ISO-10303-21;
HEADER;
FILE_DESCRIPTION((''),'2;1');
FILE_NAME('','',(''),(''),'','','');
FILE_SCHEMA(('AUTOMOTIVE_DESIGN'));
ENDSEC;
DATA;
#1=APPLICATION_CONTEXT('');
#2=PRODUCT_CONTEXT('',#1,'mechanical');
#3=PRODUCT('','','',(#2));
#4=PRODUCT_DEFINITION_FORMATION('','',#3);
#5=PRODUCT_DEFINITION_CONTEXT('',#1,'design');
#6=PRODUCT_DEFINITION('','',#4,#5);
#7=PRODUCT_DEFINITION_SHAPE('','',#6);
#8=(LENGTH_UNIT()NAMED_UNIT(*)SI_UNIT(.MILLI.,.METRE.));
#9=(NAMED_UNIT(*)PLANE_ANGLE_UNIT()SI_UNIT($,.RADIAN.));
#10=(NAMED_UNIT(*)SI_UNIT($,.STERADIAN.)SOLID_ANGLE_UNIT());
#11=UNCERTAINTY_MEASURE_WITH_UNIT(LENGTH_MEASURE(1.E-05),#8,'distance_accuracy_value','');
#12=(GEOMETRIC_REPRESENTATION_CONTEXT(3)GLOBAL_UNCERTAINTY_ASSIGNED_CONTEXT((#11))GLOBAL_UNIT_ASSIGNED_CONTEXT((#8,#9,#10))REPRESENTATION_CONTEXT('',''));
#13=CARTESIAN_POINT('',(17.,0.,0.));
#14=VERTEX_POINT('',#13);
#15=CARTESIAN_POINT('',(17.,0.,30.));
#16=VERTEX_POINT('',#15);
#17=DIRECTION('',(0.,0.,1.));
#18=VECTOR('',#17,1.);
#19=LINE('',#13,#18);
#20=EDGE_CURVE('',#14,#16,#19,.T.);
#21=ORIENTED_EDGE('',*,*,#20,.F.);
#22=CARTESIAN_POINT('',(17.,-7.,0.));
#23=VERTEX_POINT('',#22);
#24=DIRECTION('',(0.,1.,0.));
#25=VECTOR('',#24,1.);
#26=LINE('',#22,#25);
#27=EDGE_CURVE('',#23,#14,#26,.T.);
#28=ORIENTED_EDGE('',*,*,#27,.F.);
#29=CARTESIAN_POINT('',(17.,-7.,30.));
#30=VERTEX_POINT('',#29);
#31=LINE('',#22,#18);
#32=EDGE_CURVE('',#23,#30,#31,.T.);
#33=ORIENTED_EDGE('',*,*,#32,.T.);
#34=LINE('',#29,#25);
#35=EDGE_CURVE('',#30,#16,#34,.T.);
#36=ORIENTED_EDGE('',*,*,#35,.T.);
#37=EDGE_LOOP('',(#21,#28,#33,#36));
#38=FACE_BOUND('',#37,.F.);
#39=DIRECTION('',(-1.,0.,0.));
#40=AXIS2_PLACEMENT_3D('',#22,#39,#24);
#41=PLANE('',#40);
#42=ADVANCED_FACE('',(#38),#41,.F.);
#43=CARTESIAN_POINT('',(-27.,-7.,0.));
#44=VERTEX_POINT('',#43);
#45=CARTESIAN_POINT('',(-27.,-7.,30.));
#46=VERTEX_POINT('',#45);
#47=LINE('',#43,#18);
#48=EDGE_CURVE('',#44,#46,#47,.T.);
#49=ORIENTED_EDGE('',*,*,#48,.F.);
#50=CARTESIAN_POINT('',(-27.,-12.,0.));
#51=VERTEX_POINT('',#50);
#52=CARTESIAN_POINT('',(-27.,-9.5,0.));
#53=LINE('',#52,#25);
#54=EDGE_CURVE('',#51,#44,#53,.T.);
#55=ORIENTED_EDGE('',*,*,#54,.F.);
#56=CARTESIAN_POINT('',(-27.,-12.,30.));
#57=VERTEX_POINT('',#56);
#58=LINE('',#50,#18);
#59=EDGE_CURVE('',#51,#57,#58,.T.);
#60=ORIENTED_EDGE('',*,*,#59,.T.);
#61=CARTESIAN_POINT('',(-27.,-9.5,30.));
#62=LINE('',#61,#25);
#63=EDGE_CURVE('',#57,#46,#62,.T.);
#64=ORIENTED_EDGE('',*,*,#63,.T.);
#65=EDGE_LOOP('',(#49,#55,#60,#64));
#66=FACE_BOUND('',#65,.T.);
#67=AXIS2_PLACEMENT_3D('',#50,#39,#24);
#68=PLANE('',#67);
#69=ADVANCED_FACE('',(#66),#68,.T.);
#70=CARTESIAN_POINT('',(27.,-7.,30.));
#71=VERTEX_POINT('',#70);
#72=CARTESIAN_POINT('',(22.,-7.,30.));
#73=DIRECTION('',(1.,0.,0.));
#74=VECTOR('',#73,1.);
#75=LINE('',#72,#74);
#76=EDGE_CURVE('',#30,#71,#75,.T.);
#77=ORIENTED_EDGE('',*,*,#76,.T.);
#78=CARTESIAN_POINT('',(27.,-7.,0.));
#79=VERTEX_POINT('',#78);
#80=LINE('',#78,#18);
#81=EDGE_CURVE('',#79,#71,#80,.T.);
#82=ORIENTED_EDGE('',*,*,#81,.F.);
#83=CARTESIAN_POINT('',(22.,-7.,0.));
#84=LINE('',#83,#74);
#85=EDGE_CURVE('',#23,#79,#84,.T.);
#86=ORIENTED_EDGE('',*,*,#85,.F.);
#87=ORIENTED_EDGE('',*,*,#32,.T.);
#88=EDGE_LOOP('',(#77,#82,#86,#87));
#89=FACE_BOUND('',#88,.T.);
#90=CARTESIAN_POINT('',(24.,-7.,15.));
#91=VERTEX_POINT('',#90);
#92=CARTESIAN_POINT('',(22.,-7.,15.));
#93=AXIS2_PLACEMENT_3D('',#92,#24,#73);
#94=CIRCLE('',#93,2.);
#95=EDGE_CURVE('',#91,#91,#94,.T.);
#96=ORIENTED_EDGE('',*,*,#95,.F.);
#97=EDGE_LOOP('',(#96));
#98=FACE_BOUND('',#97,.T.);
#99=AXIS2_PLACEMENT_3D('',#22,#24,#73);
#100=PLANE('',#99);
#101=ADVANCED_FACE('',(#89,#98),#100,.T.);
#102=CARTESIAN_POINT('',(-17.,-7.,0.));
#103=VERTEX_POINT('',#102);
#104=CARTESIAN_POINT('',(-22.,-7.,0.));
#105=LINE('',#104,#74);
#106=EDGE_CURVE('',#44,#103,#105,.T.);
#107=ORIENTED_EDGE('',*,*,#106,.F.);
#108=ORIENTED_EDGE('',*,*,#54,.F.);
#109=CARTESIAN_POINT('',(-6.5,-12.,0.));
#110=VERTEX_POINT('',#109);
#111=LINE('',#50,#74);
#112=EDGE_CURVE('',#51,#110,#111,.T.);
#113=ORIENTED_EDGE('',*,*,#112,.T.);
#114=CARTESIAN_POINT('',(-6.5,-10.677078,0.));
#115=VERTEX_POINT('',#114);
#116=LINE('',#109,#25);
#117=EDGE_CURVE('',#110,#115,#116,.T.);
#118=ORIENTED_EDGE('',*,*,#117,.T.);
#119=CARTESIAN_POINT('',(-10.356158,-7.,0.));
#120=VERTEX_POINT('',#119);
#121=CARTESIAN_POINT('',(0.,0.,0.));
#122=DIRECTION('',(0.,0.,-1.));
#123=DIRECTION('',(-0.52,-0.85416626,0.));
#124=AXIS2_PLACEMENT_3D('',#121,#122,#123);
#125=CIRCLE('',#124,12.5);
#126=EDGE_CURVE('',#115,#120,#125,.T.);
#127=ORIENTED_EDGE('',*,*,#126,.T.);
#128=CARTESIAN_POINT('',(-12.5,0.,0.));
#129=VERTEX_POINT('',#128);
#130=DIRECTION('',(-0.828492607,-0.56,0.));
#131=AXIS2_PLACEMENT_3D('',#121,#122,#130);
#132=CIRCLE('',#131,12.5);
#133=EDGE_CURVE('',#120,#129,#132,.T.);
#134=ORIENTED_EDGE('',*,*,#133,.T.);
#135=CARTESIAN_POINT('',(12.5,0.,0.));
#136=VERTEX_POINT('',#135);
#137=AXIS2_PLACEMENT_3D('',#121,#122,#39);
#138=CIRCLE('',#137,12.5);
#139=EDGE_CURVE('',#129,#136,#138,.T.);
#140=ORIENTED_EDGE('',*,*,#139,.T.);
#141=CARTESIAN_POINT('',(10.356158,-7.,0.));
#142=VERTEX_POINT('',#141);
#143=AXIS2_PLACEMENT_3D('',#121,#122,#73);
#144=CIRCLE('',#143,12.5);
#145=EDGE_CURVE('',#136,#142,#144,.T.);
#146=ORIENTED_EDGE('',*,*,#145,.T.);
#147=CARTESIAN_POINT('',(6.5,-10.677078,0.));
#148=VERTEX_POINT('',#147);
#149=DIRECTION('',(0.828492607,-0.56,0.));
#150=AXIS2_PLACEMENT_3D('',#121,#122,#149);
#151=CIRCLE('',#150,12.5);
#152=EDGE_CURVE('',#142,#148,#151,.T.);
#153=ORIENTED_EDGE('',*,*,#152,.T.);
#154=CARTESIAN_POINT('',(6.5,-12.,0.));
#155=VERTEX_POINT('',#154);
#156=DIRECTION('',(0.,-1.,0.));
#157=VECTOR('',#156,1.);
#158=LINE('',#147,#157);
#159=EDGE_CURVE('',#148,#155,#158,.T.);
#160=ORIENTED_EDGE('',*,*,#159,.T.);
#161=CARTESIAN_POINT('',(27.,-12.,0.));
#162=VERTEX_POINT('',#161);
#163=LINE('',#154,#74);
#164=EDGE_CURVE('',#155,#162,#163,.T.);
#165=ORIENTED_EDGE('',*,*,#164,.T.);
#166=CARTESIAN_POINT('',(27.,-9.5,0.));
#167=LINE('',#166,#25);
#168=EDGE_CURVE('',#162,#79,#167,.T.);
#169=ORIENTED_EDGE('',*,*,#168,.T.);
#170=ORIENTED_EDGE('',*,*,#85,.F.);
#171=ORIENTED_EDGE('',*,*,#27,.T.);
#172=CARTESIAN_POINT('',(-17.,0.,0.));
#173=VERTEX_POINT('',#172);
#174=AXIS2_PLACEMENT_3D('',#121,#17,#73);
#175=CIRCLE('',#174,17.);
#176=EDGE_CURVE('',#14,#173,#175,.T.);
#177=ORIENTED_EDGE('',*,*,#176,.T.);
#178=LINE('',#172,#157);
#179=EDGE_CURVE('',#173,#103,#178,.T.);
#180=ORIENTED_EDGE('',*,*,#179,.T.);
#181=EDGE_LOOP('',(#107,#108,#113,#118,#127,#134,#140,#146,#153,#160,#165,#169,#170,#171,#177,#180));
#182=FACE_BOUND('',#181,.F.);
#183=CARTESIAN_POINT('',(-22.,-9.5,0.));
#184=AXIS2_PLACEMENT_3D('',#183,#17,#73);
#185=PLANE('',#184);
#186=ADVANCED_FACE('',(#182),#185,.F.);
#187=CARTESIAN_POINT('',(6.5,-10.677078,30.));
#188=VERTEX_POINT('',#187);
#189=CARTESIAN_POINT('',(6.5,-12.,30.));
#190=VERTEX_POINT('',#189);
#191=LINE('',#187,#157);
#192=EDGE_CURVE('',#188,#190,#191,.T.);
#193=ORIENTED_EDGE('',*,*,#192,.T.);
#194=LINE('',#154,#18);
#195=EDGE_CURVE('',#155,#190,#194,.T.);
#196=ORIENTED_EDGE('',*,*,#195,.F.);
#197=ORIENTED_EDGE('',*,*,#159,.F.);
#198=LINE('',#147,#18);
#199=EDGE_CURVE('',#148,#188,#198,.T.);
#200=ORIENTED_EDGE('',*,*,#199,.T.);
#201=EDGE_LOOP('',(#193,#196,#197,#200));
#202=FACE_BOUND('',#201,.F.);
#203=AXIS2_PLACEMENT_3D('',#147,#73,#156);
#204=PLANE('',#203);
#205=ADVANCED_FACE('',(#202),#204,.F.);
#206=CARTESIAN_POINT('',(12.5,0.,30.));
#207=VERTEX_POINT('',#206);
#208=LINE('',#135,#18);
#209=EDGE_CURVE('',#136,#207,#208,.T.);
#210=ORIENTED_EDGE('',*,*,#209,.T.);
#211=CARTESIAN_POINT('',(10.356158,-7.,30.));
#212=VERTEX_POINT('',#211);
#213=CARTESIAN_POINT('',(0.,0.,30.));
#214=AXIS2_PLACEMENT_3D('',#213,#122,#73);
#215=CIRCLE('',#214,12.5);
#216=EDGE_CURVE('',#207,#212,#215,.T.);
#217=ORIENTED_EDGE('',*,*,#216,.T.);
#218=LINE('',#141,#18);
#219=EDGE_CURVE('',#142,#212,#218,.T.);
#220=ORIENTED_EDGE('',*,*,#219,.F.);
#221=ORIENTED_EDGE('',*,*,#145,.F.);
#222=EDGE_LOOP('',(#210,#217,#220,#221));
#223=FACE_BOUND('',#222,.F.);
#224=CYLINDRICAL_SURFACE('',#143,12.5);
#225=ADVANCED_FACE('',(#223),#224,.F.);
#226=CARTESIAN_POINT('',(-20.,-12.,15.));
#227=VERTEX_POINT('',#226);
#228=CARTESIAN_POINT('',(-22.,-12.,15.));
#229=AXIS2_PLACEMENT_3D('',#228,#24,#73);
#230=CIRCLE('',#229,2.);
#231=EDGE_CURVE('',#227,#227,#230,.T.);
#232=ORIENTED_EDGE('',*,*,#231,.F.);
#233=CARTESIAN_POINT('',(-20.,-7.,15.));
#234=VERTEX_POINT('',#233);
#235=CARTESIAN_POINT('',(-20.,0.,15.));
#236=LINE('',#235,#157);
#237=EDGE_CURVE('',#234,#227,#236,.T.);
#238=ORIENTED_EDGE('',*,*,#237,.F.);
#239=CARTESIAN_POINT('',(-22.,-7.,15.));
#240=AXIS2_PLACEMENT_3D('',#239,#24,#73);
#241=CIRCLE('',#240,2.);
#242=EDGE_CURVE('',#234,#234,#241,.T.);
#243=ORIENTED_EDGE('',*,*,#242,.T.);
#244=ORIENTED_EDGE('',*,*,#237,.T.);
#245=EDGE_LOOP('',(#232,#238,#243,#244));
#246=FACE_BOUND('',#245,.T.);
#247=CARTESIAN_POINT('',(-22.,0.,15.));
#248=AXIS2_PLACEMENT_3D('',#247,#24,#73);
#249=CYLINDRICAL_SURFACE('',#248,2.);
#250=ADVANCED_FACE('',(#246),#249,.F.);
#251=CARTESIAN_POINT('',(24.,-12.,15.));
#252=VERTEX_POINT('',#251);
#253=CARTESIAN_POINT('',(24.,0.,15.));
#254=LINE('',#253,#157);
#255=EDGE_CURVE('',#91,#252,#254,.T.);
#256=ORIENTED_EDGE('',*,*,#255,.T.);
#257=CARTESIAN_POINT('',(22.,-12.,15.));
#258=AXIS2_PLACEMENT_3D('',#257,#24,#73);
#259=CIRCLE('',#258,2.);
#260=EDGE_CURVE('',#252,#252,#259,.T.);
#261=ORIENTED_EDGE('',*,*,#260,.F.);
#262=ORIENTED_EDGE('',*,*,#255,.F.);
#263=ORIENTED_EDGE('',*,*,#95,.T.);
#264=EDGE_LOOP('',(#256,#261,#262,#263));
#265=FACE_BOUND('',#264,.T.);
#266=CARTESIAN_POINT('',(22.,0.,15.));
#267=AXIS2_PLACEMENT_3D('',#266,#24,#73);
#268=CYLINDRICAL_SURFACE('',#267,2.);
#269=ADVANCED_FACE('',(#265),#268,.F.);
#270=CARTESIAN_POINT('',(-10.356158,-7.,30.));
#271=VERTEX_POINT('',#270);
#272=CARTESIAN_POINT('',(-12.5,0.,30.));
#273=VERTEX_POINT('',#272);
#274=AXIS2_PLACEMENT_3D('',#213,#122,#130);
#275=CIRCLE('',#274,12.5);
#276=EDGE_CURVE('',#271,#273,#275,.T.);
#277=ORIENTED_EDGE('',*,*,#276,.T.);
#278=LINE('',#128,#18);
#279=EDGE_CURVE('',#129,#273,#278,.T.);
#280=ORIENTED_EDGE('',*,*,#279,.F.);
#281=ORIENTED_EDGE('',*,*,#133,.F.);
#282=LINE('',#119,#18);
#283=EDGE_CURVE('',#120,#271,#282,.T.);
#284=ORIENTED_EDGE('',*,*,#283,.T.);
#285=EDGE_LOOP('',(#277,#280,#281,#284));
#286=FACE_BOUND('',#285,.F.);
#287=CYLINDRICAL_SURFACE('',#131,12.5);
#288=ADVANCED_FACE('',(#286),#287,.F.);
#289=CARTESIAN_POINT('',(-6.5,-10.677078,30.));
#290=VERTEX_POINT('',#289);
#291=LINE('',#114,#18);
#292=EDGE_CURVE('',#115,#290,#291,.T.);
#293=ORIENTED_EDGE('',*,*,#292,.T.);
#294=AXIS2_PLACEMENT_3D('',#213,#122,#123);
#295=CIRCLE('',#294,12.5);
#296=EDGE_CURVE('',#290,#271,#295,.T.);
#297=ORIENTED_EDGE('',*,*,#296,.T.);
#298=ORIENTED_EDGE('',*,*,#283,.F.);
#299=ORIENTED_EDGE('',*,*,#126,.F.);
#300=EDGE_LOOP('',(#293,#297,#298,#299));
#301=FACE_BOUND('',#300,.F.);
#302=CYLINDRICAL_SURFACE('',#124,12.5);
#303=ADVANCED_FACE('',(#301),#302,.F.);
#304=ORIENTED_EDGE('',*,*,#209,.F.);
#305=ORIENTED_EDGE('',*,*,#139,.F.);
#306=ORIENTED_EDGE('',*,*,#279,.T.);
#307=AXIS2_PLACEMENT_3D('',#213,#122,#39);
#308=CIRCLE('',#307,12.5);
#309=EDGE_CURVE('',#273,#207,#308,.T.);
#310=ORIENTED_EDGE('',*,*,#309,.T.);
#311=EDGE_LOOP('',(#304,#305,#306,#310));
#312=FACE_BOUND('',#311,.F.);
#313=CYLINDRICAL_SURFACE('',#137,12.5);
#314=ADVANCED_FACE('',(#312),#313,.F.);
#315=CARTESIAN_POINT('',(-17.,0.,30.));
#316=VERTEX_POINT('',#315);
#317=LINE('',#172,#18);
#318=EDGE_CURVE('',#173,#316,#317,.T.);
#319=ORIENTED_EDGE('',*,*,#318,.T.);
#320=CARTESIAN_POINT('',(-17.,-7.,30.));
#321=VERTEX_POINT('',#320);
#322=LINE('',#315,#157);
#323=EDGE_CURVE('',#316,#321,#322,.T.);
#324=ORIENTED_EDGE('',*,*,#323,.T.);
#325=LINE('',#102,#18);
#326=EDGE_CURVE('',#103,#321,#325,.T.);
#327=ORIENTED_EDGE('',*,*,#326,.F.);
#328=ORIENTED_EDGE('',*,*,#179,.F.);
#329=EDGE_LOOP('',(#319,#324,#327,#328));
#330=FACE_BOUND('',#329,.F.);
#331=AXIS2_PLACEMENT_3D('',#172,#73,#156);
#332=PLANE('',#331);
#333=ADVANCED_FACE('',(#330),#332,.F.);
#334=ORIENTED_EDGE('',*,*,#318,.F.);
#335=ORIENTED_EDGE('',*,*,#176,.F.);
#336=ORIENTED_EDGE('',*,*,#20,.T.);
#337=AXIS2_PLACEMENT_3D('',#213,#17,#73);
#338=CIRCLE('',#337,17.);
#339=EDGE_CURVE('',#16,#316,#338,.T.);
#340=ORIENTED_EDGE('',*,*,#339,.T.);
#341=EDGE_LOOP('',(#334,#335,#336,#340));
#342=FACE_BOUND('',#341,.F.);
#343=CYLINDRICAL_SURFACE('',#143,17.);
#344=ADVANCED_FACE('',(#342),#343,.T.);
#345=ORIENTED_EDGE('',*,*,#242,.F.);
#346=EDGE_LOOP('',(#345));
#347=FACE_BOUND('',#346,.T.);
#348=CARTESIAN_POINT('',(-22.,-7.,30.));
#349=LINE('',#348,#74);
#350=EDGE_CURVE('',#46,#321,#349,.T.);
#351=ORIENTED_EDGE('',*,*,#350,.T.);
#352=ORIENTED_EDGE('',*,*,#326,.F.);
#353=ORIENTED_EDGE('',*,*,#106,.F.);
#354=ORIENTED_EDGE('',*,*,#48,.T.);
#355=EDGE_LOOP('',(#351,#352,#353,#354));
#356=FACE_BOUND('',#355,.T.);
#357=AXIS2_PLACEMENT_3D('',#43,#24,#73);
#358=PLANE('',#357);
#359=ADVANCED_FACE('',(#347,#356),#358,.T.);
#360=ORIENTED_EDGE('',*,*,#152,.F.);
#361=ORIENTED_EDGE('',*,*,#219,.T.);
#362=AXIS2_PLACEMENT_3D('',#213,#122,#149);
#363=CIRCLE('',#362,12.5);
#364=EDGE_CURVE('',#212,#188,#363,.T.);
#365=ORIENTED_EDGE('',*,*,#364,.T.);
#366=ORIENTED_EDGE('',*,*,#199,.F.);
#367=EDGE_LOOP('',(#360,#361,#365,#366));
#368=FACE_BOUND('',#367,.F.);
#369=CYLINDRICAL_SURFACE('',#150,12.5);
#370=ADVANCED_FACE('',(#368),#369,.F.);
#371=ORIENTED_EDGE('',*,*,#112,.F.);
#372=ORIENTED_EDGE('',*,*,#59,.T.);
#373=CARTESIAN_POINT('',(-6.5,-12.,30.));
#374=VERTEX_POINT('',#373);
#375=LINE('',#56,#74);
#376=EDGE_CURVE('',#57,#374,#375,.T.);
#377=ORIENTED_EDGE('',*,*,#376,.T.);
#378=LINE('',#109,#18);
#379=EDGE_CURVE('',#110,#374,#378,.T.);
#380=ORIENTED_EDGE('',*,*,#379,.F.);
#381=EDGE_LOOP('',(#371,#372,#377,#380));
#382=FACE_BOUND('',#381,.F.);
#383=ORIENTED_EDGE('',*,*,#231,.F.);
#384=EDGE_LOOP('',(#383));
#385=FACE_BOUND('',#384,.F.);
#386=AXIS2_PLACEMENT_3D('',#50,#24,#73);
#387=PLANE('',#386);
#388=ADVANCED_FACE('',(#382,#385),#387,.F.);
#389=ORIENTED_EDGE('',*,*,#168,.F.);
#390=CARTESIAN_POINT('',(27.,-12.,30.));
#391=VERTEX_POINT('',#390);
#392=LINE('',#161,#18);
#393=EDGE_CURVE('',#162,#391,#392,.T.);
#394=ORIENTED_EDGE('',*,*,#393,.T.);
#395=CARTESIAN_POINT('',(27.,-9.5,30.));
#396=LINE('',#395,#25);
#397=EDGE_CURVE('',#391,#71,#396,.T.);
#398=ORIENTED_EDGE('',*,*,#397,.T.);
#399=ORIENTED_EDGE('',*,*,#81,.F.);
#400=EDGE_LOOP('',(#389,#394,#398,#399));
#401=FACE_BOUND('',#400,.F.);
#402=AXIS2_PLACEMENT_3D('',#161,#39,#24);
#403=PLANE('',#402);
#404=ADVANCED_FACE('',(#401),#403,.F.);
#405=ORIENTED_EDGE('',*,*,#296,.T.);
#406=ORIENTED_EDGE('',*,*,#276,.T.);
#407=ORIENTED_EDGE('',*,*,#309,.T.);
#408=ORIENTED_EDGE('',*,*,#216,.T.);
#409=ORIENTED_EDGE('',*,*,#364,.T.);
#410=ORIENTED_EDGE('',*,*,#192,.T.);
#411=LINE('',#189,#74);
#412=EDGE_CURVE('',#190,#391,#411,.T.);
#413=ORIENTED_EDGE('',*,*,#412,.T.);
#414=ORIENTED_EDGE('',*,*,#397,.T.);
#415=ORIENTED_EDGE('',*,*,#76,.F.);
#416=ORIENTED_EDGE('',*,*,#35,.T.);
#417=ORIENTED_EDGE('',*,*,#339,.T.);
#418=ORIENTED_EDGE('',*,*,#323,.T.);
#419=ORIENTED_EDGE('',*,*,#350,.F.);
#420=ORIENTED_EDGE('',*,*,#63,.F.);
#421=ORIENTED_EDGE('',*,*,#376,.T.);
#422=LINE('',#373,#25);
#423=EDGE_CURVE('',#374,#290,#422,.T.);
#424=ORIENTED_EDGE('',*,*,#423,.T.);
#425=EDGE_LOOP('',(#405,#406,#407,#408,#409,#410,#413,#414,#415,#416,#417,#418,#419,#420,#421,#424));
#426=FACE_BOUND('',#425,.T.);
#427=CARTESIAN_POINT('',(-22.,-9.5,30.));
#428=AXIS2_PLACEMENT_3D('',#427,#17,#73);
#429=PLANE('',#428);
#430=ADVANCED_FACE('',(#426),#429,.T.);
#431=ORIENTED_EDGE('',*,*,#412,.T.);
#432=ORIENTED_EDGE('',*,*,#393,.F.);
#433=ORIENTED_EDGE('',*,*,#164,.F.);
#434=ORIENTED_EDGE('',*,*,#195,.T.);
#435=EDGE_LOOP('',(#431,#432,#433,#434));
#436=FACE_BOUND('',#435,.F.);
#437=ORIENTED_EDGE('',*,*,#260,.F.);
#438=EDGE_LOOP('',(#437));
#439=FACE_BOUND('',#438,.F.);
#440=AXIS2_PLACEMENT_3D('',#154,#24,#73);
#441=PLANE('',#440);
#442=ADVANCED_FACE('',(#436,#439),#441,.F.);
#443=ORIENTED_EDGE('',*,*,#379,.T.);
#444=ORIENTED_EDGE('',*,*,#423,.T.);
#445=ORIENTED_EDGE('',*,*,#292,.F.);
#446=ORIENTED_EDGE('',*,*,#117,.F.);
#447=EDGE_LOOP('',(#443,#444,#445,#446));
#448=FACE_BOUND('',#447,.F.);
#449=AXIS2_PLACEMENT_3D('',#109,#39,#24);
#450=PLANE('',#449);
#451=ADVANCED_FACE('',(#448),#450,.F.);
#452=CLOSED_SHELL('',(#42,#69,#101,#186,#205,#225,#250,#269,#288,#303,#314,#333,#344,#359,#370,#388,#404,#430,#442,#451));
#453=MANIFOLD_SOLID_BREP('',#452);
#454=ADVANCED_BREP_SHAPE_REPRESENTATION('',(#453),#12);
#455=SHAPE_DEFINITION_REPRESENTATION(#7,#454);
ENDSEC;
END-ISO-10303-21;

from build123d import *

# Parameters (mm, degrees)
F0_W      = 10
F0_H      = 5
F1_DEPTH  = 30
F2_R      = 2
F1_FACE_W = 20.5
F1_FACE_H = 30
F3_DEPTH  = 25


with BuildPart() as f1:
    # F0 (on Top) → F1 (new body)
    with BuildSketch(Plane.XY):
        with Locations((-22, -9.5)):
            Rectangle(F0_W, F0_H)
        with Locations((22, -9.5)):
            Rectangle(F0_W, F0_H)
        with BuildLine():
            ThreePointArc((-15.4919333848, -7), (-16.6187073436, -3.5803025332), (-17, 0))
            Line((-17, 0), (-17, -7))
            Line((-17, -7), (-15.4919333848, -7))
        make_face()
        with BuildLine():
            Line((17, -7), (17, 0))
            ThreePointArc((17, 0), (16.6187073436, -3.5803025332), (15.4919333848, -7))
            Line((15.4919333848, -7), (17, -7))
        make_face()
        with BuildLine():
            Line((12.5, 0), (17, 0))
            ThreePointArc((17, 0), (0, 17), (-17, 0))
            Line((-17, 0), (-12.5, 0))
            ThreePointArc((-12.5, 0), (0, 12.5), (12.5, 0))
        make_face()
        with BuildLine():
            Line((-12.5, 0), (-17, 0))
            ThreePointArc((-17, 0), (-16.6187073436, -3.5803025332), (-15.4919333848, -7))
            Line((-15.4919333848, -7), (-10.3561575886, -7))
            ThreePointArc((-10.3561575886, -7), (-11.9520284859, -3.6604665101), (-12.5, 0))
        make_face()
        with BuildLine():
            ThreePointArc((-12.0415945788, -12), (-13.991918758, -9.6553720523), (-15.4919333848, -7))
            Line((-15.4919333848, -7), (-17, -7))
            Line((-17, -7), (-17, -12))
            Line((-17, -12), (-12.0415945788, -12))
        make_face()
        with BuildLine():
            Line((17, -7), (15.4919333848, -7))
            ThreePointArc((15.4919333848, -7), (13.991918758, -9.6553720523), (12.0415945788, -12))
            Line((12.0415945788, -12), (17, -12))
            Line((17, -12), (17, -7))
        make_face()
        with BuildLine():
            ThreePointArc((15.4919333848, -7), (16.6187073436, -3.5803025332), (17, 0))
            Line((17, 0), (12.5, 0))
            ThreePointArc((12.5, 0), (11.9520284859, -3.6604665101), (10.3561575886, -7))
            Line((10.3561575886, -7), (15.4919333848, -7))
        make_face()
        with BuildLine():
            Line((-10.3561575886, -7), (-15.4919333848, -7))
            ThreePointArc((-15.4919333848, -7), (-13.991918758, -9.6553720523), (-12.0415945788, -12))
            Line((-12.0415945788, -12), (-6.5, -12))
            Line((-6.5, -12), (-6.5, -10.677078252))
            ThreePointArc((-6.5, -10.677078252), (-8.6262818341, -9.0463949571), (-10.3561575886, -7))
        make_face()
        with BuildLine():
            ThreePointArc((12.0415945788, -12), (13.991918758, -9.6553720523), (15.4919333848, -7))
            Line((15.4919333848, -7), (10.3561575886, -7))
            ThreePointArc((10.3561575886, -7), (8.6262818341, -9.0463949571), (6.5, -10.677078252))
            Line((6.5, -10.677078252), (6.5, -12))
            Line((6.5, -12), (12.0415945788, -12))
        make_face()
    extrude(amount=F1_DEPTH)

    # F2 (on Front) + F1_face (on face) → F3 (cut)
    with BuildSketch(Plane.XZ):
        with Locations((-22, 15)):
            Circle(F2_R)
        with Locations((22, 15)):
            Circle(F2_R)
    with BuildSketch(Plane(origin=(-16.75, -12, 15), x_dir=(1, 0, 0), z_dir=(0, -1, 0))):
        Rectangle(F1_FACE_W, F1_FACE_H)
        with Locations((33.5, 0)):
            Rectangle(F1_FACE_W, F1_FACE_H)
    extrude(amount=F3_DEPTH, mode=Mode.SUBTRACT)


solid = f1.part
